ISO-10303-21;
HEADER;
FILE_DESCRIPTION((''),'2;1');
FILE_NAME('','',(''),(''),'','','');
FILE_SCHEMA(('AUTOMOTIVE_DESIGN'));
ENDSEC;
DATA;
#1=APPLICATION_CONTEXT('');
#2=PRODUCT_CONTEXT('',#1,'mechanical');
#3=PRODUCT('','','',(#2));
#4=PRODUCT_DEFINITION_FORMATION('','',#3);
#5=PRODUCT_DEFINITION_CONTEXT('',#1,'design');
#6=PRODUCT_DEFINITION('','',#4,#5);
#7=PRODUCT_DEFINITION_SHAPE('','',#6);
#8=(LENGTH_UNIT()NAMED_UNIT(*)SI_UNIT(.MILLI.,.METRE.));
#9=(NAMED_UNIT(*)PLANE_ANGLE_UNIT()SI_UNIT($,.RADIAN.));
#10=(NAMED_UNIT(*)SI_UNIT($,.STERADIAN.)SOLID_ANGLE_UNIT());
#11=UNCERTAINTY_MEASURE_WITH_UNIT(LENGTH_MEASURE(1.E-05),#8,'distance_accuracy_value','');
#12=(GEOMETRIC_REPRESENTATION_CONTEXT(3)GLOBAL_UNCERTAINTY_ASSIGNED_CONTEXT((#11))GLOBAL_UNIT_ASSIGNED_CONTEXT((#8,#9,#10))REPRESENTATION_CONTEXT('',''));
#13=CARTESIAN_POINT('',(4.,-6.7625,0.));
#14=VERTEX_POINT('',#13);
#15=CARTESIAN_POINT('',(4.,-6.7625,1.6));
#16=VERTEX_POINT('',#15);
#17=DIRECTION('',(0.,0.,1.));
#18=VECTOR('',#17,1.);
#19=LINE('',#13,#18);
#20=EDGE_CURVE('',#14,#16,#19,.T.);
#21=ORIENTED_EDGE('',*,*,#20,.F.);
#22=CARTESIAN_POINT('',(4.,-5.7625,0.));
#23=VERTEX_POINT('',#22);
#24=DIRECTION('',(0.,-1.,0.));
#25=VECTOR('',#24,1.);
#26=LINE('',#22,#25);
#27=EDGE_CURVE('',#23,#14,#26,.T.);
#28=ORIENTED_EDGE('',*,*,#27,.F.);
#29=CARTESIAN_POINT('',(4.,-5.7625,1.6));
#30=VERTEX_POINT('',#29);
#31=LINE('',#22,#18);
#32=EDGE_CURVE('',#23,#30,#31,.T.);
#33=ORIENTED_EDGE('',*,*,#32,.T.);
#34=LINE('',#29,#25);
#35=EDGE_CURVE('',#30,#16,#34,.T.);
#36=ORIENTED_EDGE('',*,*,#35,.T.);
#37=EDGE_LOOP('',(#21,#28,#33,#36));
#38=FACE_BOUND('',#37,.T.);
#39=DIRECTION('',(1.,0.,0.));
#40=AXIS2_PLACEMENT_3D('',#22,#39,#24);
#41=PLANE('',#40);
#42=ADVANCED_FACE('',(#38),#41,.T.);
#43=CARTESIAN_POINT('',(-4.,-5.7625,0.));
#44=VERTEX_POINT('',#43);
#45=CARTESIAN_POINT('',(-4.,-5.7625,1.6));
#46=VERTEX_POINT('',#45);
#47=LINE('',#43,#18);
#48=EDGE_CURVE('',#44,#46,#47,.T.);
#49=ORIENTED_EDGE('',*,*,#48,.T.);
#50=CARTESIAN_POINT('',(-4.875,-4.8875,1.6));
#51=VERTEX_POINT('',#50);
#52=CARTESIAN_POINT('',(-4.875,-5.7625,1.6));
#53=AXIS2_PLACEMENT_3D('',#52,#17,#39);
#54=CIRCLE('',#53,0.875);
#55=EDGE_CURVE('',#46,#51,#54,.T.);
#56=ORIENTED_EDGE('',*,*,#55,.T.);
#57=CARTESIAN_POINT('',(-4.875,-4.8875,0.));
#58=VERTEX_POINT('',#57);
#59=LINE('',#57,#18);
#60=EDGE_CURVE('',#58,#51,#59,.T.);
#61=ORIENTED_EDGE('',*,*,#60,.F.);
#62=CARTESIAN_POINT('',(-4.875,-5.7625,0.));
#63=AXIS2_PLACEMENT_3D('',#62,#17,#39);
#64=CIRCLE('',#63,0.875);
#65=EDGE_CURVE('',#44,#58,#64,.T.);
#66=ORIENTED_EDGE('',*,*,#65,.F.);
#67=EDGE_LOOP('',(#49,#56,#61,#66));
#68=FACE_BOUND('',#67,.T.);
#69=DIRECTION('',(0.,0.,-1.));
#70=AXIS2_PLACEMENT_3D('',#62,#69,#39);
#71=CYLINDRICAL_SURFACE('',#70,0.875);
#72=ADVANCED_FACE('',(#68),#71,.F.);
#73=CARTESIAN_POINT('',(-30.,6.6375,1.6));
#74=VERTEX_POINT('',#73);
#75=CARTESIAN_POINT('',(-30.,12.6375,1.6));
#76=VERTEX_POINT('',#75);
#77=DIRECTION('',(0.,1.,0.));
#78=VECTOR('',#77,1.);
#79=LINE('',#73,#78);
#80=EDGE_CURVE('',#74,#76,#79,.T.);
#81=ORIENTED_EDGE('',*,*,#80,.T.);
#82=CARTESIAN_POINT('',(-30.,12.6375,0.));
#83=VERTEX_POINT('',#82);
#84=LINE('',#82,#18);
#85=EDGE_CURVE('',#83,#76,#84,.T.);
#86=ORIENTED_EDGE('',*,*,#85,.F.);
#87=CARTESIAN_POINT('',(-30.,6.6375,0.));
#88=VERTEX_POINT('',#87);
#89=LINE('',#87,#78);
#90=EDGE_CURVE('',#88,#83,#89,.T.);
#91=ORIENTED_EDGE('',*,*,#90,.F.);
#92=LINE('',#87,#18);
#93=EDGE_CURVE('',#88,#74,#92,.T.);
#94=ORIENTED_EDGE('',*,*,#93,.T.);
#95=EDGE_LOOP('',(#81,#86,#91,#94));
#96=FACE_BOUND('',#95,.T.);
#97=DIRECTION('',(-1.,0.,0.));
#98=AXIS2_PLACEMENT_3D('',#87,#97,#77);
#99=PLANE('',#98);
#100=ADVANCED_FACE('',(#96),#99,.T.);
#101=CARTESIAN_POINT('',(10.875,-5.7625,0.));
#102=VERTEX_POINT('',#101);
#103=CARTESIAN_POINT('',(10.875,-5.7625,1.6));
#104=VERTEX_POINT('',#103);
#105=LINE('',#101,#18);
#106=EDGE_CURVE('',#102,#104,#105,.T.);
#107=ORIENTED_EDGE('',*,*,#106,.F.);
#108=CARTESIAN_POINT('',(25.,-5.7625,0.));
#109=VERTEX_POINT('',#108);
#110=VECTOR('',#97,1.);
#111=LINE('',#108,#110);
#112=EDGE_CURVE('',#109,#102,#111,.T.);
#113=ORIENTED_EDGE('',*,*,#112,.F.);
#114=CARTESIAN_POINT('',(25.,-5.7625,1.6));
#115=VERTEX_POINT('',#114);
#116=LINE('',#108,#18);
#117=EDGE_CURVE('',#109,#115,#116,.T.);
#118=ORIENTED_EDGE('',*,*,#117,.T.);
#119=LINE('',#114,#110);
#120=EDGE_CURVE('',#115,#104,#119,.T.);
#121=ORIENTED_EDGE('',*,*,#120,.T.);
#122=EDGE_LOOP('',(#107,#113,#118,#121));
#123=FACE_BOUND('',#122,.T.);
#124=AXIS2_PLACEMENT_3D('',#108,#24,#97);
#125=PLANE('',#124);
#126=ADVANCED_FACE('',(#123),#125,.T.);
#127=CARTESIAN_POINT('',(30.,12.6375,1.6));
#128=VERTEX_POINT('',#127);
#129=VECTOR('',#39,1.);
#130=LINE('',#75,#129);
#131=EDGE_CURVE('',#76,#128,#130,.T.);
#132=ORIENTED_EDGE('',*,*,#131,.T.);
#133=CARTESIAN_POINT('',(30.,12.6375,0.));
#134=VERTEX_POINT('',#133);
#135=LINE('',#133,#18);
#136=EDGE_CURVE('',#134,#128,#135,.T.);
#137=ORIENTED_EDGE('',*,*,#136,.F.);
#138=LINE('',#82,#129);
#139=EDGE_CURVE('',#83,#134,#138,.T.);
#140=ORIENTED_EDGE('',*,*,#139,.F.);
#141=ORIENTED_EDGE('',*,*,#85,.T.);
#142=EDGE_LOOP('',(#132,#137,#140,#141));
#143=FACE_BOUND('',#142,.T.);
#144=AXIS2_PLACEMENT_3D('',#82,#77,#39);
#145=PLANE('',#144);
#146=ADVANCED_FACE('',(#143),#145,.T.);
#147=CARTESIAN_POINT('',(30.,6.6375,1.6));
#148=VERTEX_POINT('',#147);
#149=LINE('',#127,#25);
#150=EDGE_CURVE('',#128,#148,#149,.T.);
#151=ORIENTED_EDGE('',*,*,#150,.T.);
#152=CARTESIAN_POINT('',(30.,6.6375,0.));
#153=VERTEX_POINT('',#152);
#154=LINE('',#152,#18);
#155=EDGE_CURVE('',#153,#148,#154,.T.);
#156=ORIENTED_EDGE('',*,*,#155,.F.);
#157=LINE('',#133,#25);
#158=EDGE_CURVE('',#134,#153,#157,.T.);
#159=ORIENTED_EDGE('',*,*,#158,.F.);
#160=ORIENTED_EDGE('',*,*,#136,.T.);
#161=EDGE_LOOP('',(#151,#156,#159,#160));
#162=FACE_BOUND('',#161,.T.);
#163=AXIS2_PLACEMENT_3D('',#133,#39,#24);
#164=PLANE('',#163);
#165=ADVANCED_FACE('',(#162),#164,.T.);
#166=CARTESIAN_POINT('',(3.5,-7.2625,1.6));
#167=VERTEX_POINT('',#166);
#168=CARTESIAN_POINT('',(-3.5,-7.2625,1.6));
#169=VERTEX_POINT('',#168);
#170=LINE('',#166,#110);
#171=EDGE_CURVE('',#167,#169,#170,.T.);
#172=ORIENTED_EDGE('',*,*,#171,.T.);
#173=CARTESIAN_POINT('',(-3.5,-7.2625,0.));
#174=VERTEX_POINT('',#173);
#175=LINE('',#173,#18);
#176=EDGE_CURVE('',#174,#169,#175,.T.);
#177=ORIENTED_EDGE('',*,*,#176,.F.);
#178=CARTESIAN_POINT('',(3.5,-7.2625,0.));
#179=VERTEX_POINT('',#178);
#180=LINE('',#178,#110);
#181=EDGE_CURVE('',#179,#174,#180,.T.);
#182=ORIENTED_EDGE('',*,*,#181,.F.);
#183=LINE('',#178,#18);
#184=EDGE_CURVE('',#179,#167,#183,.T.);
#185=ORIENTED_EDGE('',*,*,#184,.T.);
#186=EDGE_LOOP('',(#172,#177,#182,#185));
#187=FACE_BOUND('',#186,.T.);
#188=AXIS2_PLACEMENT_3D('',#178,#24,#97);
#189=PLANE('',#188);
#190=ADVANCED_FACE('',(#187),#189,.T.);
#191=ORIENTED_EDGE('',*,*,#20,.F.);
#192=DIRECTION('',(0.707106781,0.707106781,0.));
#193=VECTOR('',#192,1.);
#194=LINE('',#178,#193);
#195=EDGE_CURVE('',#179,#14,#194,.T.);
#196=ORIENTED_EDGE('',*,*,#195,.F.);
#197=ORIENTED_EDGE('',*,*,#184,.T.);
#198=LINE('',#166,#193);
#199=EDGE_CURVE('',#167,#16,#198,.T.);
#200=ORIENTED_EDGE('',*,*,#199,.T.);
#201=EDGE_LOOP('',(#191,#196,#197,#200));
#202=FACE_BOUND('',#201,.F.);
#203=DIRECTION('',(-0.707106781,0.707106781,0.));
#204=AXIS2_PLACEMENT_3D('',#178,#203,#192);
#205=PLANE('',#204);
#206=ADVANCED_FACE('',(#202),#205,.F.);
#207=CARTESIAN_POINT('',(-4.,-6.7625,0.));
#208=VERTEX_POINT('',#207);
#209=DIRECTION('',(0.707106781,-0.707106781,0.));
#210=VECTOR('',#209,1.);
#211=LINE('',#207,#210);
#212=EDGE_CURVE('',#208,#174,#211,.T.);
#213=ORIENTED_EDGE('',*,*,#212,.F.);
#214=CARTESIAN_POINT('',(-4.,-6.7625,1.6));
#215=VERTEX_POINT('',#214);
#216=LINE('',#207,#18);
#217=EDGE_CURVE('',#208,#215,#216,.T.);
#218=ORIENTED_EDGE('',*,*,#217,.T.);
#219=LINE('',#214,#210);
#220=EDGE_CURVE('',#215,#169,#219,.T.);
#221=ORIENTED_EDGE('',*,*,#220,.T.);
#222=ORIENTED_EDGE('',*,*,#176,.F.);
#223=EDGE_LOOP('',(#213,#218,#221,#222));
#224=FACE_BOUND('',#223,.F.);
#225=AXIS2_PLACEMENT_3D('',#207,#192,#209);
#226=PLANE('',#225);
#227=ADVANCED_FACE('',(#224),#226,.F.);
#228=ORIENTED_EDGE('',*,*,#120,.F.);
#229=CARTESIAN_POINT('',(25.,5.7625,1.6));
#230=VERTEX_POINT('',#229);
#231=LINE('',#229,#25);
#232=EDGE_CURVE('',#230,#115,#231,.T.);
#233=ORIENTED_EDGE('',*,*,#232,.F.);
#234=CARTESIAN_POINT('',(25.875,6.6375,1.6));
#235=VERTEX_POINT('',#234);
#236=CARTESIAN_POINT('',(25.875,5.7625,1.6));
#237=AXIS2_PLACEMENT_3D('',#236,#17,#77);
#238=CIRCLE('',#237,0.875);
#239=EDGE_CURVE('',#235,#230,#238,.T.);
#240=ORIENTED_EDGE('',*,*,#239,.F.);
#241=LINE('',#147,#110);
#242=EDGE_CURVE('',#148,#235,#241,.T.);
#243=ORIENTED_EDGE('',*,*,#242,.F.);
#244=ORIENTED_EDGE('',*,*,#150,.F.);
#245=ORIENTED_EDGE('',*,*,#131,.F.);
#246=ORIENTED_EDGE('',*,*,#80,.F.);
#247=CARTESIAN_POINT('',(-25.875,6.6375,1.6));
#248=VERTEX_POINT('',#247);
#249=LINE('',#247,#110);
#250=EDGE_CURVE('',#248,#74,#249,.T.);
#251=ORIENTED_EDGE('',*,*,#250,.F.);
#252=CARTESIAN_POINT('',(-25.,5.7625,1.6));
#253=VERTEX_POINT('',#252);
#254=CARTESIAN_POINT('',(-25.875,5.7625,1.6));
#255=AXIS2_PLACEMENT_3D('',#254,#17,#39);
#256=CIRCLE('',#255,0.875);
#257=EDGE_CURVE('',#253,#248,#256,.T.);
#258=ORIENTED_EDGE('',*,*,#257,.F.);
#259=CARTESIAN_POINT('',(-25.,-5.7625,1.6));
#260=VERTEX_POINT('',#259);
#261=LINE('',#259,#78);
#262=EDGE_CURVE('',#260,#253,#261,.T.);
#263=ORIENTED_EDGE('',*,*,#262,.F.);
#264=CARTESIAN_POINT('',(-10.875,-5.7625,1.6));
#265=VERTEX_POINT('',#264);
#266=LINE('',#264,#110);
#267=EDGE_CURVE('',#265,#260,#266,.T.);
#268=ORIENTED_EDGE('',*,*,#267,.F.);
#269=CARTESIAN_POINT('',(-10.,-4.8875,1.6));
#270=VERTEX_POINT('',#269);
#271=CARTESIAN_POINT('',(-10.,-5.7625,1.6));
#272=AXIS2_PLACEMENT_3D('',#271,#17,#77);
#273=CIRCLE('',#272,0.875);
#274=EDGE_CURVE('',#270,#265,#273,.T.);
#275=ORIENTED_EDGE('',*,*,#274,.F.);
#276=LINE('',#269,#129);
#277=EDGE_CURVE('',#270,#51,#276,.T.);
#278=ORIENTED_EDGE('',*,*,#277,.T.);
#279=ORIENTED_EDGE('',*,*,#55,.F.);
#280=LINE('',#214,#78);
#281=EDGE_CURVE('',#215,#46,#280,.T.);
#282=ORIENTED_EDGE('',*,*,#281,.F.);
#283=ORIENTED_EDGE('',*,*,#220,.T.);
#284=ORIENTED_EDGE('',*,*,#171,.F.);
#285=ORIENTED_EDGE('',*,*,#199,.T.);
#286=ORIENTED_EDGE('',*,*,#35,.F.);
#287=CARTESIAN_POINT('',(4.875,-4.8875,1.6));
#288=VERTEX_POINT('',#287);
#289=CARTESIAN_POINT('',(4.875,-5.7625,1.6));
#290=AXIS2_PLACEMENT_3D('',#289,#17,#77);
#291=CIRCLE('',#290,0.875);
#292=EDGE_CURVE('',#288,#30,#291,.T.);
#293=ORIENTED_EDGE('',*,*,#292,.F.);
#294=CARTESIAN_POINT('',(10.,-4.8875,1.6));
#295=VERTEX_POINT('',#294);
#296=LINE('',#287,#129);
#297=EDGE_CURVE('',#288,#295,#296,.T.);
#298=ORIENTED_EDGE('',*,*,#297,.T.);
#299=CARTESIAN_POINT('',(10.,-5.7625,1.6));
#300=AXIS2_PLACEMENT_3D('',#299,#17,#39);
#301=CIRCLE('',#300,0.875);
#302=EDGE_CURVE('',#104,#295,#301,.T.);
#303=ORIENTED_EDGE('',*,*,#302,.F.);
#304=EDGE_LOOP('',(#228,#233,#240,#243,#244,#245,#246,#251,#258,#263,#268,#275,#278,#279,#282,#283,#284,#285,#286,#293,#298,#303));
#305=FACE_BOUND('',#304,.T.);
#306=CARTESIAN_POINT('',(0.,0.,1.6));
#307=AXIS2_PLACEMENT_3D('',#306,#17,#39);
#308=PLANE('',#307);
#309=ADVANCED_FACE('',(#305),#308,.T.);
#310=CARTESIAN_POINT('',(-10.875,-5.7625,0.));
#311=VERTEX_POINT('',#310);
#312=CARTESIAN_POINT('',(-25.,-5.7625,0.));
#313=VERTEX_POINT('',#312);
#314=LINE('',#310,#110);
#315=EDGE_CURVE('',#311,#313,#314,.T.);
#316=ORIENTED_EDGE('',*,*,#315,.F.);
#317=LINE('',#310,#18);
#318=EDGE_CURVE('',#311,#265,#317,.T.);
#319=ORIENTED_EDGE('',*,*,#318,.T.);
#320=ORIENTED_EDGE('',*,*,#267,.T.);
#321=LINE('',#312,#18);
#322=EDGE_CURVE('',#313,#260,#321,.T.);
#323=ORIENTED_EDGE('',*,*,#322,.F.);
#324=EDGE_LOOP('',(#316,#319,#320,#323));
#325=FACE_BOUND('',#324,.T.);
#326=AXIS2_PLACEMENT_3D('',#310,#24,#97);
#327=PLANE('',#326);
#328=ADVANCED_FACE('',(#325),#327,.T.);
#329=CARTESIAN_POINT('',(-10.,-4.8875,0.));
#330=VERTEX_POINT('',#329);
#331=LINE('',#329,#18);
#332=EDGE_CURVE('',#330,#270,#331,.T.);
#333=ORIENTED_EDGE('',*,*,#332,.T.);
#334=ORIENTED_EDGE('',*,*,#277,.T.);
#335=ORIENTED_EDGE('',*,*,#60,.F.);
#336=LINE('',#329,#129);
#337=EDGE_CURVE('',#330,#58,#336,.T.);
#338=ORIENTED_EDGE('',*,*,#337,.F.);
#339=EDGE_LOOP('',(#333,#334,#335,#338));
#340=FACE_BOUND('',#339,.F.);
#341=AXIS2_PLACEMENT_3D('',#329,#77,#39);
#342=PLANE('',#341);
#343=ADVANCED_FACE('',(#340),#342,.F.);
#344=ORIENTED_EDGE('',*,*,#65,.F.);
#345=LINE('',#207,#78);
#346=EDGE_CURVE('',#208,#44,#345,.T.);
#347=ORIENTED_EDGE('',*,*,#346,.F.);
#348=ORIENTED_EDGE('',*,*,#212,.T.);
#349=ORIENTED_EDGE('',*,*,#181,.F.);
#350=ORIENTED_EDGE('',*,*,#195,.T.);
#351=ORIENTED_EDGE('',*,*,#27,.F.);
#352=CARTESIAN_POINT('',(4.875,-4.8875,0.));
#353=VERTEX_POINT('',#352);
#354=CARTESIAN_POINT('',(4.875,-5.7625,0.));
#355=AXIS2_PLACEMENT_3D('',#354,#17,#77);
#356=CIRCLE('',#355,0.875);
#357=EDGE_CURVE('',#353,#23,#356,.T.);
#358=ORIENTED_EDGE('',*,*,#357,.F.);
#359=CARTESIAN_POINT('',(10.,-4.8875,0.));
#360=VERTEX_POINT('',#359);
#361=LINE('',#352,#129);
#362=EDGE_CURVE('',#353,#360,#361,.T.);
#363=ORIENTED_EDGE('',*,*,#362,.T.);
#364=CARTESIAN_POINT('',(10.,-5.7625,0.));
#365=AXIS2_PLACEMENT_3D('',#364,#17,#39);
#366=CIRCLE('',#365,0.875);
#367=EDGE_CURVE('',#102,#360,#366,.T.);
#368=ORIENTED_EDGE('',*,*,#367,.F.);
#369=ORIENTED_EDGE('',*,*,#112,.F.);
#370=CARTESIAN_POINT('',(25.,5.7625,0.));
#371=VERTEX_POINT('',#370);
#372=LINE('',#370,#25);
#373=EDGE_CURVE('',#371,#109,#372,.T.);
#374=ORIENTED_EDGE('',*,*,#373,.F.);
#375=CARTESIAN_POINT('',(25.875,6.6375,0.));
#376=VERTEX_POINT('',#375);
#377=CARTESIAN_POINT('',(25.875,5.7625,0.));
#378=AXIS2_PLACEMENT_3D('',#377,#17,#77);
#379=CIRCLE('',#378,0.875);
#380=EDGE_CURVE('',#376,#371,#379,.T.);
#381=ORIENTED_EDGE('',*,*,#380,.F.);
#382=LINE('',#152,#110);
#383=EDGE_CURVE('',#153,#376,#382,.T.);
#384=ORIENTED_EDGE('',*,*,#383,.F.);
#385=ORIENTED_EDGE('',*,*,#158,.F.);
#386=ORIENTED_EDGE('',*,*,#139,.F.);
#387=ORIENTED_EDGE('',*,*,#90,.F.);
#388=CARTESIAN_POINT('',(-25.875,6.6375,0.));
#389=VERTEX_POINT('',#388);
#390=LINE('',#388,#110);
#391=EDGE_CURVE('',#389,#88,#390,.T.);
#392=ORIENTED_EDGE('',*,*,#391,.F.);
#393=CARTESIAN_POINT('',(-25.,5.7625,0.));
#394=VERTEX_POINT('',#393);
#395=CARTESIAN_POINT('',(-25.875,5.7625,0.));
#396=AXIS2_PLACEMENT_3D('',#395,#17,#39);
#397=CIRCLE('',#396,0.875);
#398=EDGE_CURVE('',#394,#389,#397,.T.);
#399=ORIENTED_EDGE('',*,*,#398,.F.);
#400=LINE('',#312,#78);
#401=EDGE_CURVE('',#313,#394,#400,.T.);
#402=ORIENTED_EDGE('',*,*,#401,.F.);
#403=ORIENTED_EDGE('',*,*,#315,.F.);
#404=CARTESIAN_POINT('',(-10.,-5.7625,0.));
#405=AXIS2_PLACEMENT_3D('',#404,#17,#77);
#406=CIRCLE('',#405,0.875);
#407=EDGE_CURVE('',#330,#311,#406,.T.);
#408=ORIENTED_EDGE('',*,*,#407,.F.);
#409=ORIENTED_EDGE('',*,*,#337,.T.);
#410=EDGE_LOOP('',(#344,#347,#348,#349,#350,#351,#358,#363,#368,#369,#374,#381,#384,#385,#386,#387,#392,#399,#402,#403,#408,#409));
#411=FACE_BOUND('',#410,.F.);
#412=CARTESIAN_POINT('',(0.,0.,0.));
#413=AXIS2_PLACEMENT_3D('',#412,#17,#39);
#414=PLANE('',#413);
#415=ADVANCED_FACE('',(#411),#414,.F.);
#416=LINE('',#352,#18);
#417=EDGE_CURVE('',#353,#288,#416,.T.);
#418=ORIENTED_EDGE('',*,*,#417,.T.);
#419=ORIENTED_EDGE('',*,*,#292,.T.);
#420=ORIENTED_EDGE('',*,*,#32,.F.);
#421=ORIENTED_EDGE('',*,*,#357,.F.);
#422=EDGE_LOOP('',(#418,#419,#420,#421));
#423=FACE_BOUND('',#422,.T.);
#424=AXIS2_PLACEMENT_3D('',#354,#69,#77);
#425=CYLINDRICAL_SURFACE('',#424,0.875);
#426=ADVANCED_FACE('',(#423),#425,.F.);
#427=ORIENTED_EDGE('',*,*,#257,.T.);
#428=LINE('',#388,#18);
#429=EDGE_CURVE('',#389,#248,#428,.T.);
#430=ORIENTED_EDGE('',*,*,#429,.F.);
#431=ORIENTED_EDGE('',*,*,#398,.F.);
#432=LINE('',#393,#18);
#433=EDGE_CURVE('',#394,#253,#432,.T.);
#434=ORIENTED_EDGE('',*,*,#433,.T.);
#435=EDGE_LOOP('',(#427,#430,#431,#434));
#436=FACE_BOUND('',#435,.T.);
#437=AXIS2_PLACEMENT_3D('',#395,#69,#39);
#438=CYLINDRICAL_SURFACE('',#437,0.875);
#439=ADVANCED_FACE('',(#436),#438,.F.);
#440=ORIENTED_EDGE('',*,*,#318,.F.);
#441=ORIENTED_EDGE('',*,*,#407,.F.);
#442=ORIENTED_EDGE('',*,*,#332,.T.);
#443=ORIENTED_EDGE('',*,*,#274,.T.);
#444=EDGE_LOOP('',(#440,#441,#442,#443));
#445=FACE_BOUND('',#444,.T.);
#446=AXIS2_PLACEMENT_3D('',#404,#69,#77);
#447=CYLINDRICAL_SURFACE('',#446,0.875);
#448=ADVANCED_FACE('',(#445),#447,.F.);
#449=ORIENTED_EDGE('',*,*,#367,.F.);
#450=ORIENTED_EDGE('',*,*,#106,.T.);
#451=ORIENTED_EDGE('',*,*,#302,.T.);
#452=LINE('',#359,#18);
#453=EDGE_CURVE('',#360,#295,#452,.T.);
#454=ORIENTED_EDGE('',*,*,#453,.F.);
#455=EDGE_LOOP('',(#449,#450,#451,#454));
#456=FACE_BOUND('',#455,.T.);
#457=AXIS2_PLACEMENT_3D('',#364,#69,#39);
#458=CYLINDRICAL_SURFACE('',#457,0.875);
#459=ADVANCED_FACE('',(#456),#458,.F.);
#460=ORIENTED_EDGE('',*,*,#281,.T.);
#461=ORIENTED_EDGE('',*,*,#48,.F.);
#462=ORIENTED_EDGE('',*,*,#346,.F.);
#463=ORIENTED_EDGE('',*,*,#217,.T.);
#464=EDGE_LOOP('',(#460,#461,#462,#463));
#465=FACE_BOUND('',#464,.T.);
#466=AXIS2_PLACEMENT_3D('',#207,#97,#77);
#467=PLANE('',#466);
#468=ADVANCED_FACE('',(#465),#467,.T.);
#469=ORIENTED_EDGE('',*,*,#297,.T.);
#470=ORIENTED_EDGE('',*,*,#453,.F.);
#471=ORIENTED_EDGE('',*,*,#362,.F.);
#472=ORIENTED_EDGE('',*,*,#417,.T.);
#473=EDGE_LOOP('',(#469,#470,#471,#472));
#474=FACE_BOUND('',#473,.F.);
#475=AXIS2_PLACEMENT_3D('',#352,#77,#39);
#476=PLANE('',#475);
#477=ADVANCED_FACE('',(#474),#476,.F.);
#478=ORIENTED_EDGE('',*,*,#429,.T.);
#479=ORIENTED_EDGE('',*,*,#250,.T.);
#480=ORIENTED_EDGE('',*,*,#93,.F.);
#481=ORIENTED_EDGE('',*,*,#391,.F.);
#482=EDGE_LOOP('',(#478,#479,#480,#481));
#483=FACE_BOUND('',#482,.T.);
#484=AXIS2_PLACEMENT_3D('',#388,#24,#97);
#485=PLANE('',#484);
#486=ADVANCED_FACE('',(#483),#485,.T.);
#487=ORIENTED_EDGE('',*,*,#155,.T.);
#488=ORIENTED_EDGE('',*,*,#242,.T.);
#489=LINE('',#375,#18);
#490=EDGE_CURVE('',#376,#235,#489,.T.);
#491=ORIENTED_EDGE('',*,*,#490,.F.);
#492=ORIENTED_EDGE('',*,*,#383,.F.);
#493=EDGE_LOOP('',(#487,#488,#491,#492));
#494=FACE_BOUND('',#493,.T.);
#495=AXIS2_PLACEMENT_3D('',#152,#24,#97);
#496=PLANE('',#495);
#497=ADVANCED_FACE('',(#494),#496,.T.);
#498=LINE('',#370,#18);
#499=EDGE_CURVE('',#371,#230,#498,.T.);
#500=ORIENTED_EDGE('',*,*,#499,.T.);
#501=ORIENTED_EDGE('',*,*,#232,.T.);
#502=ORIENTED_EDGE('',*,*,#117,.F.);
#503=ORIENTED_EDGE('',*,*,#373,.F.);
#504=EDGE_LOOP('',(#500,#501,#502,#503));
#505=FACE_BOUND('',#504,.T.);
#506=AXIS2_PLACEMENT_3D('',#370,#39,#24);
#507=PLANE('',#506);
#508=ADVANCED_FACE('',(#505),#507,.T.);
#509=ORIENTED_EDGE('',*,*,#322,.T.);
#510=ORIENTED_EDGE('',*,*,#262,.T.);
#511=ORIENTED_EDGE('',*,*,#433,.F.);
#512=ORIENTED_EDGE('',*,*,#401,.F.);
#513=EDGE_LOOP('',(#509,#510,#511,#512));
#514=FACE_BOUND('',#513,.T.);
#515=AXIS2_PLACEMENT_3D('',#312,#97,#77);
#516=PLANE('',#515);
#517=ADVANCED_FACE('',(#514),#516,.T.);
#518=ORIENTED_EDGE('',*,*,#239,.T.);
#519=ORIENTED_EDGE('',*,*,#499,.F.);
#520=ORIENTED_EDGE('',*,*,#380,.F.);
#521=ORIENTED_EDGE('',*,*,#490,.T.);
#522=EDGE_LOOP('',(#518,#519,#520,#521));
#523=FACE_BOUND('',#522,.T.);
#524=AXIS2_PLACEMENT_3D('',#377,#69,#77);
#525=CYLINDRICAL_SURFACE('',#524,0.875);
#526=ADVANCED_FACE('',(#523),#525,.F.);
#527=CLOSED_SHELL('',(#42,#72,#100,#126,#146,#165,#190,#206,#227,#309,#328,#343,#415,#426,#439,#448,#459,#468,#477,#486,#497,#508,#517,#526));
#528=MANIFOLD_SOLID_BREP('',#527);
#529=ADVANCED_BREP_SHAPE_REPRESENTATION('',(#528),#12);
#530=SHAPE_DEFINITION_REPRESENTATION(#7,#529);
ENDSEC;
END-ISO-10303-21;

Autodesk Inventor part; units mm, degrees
ref_plane "YZ Plane" through (0, 0, 0) normal (1, 0, 0) x (0, 1, 0)
ref_plane "XZ Plane" through (0, 0, 0) normal (0, 1, 0) x (-1, 0, 0)
ref_plane "XY Plane" through (0, 0, 0) normal (0, 0, 1) x (1, 0, 0)
sketch "Sketch1" plane through (0, 0, 0) normal (0, 0, 1) x (1, 0, 0)
  line L0 (-30, 12.6375) -> (30, 12.6375)
  line L1 (30, 12.6375) -> (30, 6.6375)
  line L2 (30, 6.6375) -> (25.875, 6.6375)
  line L3 (25, 5.7625) -> (25, -5.7625)
  line L4 (25, -5.7625) -> (10.875, -5.7625)
  line L5 (4, -5.7625) -> (4, -6.7625)
  line L6 (3.5, -7.2625) -> (-3.5, -7.2625)
  line L7 (-4, -6.7625) -> (-4, -5.7625)
  line L8 (-10.875, -5.7625) -> (-25, -5.7625)
  line L9 (-25, -5.7625) -> (-25, 5.7625)
  line L10 (-25.875, 6.6375) -> (-30, 6.6375)
  line L11 (-30, 6.6375) -> (-30, 12.6375)
  arc A0 (-4, -5.7625) -> (-4.875, -4.8875) centre (-4.875, -5.7625) ccw
  arc A1 (4.875, -4.8875) -> (4, -5.7625) centre (4.875, -5.7625) ccw
  arc A2 (-25, 5.7625) -> (-25.875, 6.6375) centre (-25.875, 5.7625) ccw
  arc A3 (25.875, 6.6375) -> (25, 5.7625) centre (25.875, 5.7625) ccw
  line L12 (0, 4.2796) -> (0, -4.2796) construction
  line L13 (-9.9053, 0) -> (11.8635, 0) construction
  line L14 (-4, -6.7625) -> (-3.5, -7.2625)
  line L15 (3.5, -7.2625) -> (4, -6.7625)
  arc A4 (-10, -4.8875) -> (-10.875, -5.7625) centre (-10, -5.7625) ccw
  arc A5 (10.875, -5.7625) -> (10, -4.8875) centre (10, -5.7625) ccw
  line L16 (-10, -4.8875) -> (-4.875, -4.8875)
  line L17 (4.875, -4.8875) -> (10, -4.8875)
  point P0 (0, 0)
  point P1 (0, 12.6375)
  point P2 (-25, 0)
  dimension "d0" = 1.75
  dimension "d3" = 1.5
  dimension "d5" = 6
  dimension "d6" = 5
  dimension "d11" = 25
  dimension "d12" = 45
  dimension "d13" = 0.5
  dimension "d14" = 8
  dimension "d16" = 18.4
  dimension "d17" = 6
extrude "Extrusion1" add sketch "Sketch1" along normal blind 1.6
sketch "Sketch2" plane through (0, 0, 1.6) normal (0, 0, 1) x (1, 0, 0)
  line L0 (30, 12.6375) -> (-30, 12.6375) projected
  point P0 (0, 0)
  point P1 (-16, 2.1375)
  point P2 (0, 2.1375)
  point P3 (16, 2.1375)
  dimension "d9" = 16
  dimension "d10" = 16
  dimension "d15" = 10.5
equation "\"d10\" = d9"
properties part number "AK-C-C39-Insert-Board"
